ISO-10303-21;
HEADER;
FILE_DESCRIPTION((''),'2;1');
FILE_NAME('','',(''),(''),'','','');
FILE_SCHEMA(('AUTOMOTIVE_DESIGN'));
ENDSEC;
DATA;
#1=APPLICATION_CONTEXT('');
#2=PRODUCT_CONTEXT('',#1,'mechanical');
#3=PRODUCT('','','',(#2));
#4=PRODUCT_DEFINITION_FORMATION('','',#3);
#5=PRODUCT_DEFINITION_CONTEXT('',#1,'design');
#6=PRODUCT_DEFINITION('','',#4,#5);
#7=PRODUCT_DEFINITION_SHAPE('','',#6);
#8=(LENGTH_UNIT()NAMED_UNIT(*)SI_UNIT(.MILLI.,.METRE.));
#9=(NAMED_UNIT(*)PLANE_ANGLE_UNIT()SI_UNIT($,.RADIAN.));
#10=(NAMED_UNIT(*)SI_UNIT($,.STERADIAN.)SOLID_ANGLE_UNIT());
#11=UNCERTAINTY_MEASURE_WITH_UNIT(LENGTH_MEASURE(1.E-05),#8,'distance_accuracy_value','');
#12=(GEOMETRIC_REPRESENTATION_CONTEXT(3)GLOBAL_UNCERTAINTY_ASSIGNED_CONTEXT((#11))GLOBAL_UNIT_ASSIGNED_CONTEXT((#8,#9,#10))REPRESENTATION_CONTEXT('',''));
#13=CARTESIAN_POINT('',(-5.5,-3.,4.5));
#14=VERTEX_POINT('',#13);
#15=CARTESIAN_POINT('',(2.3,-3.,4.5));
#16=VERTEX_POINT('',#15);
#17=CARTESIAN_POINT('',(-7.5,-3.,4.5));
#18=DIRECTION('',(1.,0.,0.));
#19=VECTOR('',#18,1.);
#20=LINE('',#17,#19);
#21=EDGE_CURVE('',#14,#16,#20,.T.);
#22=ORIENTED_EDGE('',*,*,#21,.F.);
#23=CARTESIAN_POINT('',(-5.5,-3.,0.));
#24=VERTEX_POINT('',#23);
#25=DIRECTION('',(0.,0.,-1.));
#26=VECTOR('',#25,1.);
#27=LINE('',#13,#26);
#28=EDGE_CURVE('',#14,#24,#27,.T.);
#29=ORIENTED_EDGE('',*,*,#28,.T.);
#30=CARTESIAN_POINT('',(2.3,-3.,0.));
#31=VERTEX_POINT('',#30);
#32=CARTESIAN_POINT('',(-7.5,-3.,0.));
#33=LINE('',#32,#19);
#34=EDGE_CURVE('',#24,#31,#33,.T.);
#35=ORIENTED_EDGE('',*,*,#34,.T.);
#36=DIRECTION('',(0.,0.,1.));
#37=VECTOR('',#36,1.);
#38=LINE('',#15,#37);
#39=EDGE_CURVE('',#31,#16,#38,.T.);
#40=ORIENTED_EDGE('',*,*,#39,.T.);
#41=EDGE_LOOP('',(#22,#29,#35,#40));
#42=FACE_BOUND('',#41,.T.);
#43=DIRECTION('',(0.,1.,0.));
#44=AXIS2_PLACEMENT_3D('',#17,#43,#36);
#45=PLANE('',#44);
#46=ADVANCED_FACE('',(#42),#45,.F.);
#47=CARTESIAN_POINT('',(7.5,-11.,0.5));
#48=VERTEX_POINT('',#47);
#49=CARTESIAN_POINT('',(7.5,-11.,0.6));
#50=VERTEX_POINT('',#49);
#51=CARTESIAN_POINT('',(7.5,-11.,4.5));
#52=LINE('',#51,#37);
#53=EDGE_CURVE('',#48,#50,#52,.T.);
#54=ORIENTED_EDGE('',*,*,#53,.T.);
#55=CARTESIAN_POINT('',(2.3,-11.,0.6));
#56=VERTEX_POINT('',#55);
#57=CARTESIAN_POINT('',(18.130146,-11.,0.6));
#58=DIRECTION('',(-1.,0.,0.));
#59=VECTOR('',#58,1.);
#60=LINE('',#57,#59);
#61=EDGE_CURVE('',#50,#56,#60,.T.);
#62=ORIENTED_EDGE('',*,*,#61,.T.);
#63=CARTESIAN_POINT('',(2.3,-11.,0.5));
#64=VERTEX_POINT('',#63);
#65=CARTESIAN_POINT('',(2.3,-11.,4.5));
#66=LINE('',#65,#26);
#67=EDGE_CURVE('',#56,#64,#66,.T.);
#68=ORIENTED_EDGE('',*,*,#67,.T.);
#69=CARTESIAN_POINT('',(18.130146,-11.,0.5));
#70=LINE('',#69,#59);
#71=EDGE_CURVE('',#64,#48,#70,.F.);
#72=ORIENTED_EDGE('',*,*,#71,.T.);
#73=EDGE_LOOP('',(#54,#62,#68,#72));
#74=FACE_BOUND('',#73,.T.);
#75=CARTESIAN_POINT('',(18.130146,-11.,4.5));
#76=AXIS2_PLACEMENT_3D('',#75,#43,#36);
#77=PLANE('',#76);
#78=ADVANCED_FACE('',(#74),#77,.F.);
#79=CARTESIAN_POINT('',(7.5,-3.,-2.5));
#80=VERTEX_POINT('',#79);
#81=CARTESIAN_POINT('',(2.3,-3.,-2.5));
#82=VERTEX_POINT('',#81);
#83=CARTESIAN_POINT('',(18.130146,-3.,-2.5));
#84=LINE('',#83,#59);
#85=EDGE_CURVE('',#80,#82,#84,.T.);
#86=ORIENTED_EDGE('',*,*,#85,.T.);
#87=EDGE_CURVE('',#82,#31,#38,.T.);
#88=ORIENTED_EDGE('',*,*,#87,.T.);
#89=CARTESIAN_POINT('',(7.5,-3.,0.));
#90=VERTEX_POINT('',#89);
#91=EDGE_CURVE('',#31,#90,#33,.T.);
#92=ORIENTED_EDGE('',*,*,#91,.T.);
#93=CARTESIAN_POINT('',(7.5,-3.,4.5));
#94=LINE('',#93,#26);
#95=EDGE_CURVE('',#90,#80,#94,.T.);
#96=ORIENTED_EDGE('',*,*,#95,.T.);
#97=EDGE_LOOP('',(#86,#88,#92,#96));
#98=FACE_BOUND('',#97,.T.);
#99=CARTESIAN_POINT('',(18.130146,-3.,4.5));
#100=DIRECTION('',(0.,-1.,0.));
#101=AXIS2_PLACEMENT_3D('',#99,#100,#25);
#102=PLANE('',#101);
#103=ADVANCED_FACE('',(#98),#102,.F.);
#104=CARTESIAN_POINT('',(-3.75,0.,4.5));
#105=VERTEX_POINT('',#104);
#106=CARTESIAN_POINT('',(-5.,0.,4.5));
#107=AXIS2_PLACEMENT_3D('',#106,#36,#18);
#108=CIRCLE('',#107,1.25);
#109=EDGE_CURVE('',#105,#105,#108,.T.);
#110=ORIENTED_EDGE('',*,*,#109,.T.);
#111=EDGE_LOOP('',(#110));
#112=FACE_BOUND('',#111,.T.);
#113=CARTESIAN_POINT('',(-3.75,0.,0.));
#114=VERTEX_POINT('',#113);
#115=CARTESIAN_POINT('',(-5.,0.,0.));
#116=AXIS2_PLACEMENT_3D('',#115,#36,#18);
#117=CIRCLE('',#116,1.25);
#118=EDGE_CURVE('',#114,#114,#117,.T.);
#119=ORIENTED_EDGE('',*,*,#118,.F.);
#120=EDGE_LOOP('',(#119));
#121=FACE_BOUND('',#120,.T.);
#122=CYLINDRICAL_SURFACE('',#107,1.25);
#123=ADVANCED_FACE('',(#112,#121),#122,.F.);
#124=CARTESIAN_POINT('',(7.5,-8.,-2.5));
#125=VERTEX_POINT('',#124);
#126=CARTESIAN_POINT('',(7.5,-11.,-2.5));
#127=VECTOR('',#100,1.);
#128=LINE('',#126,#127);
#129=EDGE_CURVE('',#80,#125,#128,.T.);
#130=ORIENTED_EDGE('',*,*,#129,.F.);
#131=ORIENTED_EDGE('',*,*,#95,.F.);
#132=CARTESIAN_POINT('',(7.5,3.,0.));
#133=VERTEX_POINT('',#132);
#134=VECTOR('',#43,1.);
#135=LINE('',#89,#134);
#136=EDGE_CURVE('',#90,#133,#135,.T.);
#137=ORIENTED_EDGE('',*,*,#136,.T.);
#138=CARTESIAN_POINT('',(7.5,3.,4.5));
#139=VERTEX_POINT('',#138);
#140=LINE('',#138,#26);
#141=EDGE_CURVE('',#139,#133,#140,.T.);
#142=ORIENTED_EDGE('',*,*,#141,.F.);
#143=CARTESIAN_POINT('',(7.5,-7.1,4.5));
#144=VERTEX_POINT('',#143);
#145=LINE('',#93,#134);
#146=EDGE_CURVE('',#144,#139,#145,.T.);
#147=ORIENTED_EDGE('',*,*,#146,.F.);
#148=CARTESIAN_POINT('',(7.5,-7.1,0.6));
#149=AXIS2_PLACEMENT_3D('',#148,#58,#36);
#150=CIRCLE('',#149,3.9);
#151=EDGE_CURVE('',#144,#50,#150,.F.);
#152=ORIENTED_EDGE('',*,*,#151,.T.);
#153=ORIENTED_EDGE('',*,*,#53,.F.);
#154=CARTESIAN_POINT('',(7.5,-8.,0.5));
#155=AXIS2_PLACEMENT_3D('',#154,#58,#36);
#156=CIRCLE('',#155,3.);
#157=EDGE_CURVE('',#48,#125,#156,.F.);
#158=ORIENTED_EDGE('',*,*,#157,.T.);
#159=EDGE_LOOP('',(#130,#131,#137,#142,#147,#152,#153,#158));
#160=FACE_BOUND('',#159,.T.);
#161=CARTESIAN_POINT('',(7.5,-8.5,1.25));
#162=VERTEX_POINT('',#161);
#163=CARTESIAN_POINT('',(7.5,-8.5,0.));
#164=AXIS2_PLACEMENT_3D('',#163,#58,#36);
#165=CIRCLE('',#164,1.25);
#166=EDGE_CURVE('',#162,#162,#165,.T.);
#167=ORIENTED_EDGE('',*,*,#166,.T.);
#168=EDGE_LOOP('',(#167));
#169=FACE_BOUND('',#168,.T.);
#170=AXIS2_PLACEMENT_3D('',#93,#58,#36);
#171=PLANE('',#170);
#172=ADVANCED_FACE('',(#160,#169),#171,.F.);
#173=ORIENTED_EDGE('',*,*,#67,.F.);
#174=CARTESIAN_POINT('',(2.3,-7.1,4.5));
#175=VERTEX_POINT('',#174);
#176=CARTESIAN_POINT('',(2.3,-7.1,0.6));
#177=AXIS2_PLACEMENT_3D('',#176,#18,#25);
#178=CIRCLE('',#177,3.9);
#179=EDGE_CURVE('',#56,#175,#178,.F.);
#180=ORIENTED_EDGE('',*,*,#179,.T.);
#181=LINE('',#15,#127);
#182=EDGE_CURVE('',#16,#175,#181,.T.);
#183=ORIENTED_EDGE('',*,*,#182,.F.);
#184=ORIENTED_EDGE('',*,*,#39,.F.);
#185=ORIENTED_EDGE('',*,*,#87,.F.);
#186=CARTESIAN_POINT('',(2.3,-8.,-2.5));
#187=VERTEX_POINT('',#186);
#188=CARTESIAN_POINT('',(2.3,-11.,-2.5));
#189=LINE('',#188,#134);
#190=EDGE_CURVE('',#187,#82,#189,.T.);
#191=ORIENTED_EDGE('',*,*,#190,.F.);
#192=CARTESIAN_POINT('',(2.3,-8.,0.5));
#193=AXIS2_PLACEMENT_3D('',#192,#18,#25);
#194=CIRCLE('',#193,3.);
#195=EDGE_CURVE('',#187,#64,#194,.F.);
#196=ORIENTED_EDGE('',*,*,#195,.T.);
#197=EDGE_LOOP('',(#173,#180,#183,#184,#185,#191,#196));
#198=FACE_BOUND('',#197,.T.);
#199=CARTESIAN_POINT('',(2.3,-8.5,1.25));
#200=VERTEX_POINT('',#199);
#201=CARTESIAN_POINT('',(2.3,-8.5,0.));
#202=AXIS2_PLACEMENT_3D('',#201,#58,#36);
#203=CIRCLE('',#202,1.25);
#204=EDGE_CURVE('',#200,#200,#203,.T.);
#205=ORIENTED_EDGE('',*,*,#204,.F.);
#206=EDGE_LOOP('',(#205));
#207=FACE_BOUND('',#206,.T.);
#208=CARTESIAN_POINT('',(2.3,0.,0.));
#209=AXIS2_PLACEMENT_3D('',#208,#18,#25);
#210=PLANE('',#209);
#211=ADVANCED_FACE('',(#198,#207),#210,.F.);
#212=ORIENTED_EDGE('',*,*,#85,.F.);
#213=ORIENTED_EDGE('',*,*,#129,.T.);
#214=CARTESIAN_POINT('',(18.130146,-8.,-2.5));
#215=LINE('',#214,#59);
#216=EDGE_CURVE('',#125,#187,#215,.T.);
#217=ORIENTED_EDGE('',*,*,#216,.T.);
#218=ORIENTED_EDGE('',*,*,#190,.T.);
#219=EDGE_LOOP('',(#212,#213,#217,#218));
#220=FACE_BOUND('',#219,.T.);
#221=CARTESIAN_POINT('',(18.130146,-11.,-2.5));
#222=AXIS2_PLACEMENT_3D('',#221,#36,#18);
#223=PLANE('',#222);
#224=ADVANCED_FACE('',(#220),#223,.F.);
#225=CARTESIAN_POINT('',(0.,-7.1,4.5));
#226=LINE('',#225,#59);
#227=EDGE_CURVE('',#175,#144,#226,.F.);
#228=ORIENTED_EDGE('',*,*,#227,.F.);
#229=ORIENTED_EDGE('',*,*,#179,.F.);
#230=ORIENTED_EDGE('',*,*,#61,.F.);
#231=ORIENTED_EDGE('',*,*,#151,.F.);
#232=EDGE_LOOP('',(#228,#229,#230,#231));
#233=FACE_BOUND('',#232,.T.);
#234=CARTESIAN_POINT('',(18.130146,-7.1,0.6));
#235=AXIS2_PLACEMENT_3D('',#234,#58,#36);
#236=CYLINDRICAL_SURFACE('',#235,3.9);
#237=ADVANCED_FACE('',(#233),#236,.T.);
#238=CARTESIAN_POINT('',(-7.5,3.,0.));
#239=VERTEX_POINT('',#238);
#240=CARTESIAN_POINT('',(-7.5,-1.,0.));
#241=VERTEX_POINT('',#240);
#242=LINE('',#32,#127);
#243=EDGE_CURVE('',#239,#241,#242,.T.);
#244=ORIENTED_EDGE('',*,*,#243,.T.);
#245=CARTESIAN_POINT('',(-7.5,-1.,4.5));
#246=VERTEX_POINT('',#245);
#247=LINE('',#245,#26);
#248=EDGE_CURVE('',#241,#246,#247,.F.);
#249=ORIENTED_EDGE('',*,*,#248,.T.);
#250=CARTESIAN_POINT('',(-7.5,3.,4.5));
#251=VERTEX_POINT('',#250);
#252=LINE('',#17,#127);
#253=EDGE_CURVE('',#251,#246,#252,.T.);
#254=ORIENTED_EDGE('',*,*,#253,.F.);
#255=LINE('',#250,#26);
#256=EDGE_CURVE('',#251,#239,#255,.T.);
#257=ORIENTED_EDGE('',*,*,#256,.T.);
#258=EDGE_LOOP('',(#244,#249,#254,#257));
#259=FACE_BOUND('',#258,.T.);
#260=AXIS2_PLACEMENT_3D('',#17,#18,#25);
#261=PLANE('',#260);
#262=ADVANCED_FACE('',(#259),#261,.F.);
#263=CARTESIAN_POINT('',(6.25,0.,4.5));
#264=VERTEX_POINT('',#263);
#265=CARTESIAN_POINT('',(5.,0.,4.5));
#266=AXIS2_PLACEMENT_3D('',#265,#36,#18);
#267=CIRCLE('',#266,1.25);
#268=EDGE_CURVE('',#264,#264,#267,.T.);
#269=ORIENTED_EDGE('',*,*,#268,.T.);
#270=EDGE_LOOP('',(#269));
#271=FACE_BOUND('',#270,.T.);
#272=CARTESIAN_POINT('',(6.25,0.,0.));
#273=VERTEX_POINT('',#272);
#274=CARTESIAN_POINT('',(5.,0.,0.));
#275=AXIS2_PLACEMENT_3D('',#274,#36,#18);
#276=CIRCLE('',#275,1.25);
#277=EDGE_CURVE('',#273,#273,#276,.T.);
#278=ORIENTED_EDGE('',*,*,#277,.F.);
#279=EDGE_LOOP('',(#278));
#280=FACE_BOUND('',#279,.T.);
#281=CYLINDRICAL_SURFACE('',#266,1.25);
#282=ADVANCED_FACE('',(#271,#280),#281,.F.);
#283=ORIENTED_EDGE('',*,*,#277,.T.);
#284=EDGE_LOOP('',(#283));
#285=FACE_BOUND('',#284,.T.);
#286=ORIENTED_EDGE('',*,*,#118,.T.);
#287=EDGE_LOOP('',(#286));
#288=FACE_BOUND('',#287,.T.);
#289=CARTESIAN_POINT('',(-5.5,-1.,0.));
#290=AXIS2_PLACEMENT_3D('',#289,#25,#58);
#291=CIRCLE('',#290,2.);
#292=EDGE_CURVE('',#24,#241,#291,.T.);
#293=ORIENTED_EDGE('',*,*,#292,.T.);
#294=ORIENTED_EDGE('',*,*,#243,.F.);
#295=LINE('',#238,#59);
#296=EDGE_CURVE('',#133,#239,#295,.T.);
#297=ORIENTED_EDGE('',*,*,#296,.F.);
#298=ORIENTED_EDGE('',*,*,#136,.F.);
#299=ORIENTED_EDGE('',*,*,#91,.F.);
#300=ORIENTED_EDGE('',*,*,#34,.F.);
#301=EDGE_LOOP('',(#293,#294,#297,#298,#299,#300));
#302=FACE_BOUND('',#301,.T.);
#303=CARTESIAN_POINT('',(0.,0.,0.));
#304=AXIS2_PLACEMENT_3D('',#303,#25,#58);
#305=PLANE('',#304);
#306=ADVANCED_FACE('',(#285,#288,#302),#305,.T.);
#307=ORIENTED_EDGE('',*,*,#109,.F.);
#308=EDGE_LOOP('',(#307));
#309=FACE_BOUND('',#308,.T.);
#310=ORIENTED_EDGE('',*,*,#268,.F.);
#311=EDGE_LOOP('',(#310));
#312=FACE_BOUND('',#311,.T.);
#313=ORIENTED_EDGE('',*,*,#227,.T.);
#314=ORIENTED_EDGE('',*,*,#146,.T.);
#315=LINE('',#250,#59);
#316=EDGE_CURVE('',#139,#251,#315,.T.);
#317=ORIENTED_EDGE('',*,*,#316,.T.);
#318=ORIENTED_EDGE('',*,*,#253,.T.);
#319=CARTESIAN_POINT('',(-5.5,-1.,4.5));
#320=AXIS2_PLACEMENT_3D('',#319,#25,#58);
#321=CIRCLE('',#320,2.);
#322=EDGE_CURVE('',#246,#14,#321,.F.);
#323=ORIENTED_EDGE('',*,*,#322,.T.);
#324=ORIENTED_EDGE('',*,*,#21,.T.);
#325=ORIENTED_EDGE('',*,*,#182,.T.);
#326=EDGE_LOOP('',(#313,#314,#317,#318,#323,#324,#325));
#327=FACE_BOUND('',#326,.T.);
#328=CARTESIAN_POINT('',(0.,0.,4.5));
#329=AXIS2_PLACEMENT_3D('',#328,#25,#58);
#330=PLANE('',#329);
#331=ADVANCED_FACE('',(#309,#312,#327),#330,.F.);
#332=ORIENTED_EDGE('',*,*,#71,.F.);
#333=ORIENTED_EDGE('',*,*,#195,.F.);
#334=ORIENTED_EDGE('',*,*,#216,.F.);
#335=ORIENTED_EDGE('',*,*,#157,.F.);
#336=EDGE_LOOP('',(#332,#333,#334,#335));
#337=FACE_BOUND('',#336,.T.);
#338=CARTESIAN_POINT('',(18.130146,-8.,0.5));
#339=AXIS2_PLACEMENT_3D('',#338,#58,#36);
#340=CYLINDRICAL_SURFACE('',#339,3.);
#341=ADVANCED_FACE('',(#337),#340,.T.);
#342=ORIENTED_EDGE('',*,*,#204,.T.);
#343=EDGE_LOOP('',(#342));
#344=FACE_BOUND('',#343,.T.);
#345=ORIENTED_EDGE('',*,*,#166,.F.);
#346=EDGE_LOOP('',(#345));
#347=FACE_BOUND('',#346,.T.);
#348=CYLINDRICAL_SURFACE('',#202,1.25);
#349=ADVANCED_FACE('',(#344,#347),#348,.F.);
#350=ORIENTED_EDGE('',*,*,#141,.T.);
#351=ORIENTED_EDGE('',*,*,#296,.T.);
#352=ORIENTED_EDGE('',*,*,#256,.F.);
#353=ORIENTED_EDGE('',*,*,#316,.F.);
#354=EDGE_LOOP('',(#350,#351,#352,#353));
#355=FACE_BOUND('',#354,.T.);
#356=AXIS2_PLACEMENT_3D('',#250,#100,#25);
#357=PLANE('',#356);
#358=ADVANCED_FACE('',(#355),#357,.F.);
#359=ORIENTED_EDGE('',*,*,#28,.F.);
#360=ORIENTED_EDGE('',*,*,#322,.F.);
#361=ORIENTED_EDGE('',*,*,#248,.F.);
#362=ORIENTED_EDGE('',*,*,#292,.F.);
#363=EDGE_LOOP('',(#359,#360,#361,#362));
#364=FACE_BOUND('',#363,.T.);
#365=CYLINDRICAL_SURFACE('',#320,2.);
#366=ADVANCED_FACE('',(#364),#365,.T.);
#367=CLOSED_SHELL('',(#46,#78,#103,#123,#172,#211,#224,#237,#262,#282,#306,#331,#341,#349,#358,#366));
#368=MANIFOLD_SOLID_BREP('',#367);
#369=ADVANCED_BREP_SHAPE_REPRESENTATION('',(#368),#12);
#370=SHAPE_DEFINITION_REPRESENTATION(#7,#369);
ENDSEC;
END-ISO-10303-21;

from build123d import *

# Parameters (mm, degrees)
SKETCH_1_W         = 15
SKETCH_1_H         = 6
EXTRUDE_1_DEPTH    = 4.5
HOLE_WIZARD_M3_1_D = 2.5
EXTRUDE_START      = 2.3
SKETCH_5_W         = 7
SKETCH_5_H         = 8
EXTRUDE_2_DEPTH    = 5.2
FILLET_1_R         = 3.9
FILLET_2_R         = 3
HOLE_WIZARD_M3_2_D = 2.5
FILLET_3_R         = 2


with BuildPart() as part:
    # 草图1 → 凸台-拉伸1 (new body)
    with BuildSketch(Plane.XY):
        Rectangle(SKETCH_1_W, SKETCH_1_H)
    extrude(amount=EXTRUDE_1_DEPTH)

    # M3 螺纹孔1 (through all)
    with Locations(Plane.XY.offset(4.5)):
        with Locations((-5, 0), (5, 0)):
            Hole(HOLE_WIZARD_M3_1_D / 2)

    # 草图5 → 凸台-拉伸2 (add)
    with BuildSketch(Plane(origin=(0, 0, 0), x_dir=(0, 0, -1), z_dir=(1, 0, 0)).offset(EXTRUDE_START)):
        with Locations((-1, -7)):
            Rectangle(SKETCH_5_W, SKETCH_5_H)
    extrude(amount=EXTRUDE_2_DEPTH)

    # 圆角1
    fillet_1_edges = [part.edges().sort_by_distance(p)[0] for p in [
        (4.9, -11, 4.5),
    ]]
    fillet(fillet_1_edges, radius=FILLET_1_R)

    # 圆角2
    fillet_2_edges = [part.edges().sort_by_distance(p)[0] for p in [
        (4.9, -11, -2.5),
    ]]
    fillet(fillet_2_edges, radius=FILLET_2_R)

    # M3 螺纹孔2 (through all)
    with Locations(Plane.ZY.offset(-2.3)):
        with Locations((0, -8.5)):
            Hole(HOLE_WIZARD_M3_2_D / 2)

    # 圆角3
    fillet_3_edges = [part.edges().sort_by_distance(p)[0] for p in [
        (-7.5, -3, 2.25),
    ]]
    fillet(fillet_3_edges, radius=FILLET_3_R)


solid = part.part
